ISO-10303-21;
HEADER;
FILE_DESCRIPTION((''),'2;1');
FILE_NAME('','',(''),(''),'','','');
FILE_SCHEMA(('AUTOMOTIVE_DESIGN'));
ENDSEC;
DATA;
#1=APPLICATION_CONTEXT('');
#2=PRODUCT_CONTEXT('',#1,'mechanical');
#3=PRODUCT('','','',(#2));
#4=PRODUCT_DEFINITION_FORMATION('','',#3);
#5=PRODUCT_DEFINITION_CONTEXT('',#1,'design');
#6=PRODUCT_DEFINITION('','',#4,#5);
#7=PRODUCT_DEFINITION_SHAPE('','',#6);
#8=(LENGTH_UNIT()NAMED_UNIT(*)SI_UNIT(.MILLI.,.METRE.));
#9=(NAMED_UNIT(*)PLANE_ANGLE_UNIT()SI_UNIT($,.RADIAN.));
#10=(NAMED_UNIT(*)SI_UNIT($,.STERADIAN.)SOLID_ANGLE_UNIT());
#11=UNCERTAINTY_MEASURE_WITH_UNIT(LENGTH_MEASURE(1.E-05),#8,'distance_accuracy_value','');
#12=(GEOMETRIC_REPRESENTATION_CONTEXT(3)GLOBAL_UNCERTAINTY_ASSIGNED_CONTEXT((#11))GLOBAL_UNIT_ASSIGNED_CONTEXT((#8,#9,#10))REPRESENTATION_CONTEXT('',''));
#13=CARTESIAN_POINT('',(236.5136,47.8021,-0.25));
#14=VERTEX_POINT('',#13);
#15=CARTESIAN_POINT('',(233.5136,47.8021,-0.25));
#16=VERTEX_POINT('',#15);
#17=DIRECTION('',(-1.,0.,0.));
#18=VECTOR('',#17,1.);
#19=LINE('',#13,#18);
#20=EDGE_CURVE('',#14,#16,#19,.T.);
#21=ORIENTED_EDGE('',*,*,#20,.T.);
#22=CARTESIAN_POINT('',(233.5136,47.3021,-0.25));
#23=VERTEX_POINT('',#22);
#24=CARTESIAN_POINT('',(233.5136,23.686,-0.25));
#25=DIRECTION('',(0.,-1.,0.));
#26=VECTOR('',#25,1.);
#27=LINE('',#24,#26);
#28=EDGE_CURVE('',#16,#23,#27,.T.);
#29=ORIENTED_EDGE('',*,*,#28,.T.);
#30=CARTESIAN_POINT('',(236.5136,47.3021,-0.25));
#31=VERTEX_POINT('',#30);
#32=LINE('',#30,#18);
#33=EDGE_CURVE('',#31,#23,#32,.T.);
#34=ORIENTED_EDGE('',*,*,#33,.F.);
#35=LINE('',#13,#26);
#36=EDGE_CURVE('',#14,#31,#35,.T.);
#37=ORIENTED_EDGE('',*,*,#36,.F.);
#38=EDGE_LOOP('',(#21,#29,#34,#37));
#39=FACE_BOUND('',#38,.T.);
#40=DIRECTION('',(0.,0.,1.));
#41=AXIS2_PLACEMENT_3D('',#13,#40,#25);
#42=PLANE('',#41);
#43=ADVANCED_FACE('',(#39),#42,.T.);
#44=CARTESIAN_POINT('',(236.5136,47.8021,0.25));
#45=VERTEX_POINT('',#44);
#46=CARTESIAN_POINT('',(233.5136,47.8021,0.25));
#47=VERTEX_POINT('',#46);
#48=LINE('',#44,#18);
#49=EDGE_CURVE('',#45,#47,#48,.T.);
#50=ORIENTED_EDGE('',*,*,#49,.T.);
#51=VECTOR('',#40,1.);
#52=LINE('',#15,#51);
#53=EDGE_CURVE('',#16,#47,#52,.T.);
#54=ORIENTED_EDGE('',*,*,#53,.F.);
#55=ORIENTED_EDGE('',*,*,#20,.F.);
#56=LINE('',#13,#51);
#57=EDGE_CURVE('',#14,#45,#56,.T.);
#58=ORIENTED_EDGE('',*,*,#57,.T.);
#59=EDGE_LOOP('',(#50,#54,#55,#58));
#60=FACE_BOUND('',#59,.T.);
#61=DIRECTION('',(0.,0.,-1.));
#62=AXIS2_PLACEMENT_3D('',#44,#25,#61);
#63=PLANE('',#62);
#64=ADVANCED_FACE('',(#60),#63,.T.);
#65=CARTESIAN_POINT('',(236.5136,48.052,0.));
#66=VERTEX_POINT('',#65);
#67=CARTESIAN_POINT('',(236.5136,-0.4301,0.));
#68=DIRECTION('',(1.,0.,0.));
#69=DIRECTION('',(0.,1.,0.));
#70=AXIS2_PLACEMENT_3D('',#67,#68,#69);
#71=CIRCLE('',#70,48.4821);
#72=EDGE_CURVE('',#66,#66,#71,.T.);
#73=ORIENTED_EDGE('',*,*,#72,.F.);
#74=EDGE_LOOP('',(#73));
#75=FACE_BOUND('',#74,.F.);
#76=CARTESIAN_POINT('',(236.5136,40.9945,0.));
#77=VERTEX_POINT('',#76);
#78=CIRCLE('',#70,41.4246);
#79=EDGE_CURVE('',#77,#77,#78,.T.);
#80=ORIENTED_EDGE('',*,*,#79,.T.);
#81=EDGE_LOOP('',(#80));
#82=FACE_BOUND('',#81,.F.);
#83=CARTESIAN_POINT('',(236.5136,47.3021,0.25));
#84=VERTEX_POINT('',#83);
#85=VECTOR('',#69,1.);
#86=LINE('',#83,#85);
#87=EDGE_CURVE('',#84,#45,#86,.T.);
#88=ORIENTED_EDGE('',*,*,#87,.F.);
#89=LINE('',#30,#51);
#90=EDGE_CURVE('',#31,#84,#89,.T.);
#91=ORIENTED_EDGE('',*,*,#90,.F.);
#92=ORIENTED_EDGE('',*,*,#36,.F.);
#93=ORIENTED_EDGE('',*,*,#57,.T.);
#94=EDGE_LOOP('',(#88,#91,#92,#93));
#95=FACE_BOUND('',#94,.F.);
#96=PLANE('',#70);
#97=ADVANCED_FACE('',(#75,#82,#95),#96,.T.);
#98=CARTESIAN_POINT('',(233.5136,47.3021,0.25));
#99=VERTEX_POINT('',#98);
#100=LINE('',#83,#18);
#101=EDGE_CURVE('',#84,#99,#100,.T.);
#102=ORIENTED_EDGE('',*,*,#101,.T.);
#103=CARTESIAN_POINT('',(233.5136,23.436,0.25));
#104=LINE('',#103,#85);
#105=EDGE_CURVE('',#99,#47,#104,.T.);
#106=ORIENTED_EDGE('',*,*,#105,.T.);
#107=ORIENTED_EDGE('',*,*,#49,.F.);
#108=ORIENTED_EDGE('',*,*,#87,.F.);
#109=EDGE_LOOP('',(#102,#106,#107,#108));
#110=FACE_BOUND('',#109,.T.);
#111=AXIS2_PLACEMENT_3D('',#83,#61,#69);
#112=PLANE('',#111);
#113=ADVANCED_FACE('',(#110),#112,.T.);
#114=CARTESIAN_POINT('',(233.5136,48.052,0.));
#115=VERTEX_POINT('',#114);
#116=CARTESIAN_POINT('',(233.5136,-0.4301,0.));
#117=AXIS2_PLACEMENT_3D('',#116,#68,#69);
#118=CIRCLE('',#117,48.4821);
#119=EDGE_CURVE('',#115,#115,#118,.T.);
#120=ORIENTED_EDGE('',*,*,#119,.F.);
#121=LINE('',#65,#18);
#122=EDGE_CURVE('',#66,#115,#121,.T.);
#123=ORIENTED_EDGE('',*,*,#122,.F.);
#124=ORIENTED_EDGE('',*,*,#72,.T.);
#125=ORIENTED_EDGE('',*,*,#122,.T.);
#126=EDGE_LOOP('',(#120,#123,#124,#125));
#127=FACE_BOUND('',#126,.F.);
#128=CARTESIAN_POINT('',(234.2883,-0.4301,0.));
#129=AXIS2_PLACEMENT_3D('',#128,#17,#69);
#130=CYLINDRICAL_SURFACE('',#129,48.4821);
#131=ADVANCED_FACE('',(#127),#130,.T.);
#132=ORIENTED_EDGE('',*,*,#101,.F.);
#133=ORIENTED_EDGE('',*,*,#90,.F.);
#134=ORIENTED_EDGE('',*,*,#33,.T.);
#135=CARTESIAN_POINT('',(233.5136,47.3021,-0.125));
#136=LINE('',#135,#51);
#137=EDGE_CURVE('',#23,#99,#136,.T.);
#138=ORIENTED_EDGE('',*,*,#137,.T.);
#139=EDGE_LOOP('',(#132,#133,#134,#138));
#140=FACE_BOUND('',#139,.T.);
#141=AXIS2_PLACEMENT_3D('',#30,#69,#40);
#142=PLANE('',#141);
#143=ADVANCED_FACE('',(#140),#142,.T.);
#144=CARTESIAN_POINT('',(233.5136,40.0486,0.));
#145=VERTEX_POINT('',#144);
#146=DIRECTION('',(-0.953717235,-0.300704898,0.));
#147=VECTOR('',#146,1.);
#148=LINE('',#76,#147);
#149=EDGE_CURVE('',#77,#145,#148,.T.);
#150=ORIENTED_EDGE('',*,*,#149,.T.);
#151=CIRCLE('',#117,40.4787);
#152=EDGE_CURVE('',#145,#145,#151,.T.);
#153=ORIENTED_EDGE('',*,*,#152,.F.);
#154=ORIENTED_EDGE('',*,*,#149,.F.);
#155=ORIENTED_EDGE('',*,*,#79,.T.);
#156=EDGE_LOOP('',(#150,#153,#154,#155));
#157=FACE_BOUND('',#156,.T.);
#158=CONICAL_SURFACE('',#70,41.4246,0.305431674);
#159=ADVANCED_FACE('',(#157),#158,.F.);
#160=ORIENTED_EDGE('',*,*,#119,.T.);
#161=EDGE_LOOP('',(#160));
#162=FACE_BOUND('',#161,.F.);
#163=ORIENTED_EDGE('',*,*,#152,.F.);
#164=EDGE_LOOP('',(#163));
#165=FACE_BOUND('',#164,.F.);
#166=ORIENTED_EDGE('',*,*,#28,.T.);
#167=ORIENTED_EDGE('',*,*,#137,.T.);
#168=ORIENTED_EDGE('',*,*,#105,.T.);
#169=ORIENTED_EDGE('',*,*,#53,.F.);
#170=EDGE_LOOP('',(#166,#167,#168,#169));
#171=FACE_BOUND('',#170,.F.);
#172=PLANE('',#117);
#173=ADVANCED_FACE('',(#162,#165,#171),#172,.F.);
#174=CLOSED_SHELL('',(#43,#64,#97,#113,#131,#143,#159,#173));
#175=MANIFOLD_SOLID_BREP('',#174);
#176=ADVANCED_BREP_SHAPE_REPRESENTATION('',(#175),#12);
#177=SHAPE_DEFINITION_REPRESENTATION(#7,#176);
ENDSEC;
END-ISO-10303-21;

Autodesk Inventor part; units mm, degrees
ref_plane "YZ Plane" through (0, 0, 0) normal (1, 0, 0) x (0, 1, 0)
ref_plane "XZ Plane" through (0, 0, 0) normal (0, 1, 0) x (-1, 0, 0)
ref_plane "XY Plane" through (0, 0, 0) normal (0, 0, 1) x (1, 0, 0)
sketch "Sketch1" plane through (0, 0, 0) normal (0, 0, 1) x (1, 0, 0)
  arc A0 (180.1312, 23.4516) -> (181.5833, 23.6751) centre (180.1312, 28.2803) ccw
  arc A1 (180.1312, 23.4516) -> (181.5842, 23.6753) centre (180.1312, 28.2803) ccw
  arc A2 (167.724, 26.7761) -> (180.1312, 23.4516) centre (180.1312, 48.266) ccw
  arc A3 (166.724, 25.044) -> (180.1312, 21.4516) centre (180.1312, 48.266) ccw
  line L0 (125.6541, 47.7887) -> (168.987, 22.7705)
  line L1 (124.6541, 46.0566) -> (167.987, 21.0384)
  arc A4 (180.1312, 21.4516) -> (182.1847, 21.7676) centre (180.1312, 28.2803) ccw
  arc A5 (124.6541, 46.0566) -> (31.2848, 71.0749) centre (31.2848, -115.6637) ccw
  arc A6 (125.6541, 47.7887) -> (31.2848, 73.0749) centre (31.2848, -115.6637) ccw
  line L2 (1.263, 71.0749) -> (31.2848, 71.0749)
  line L3 (1.263, 73.0749) -> (31.2848, 73.0749)
  line L4 (236.5136, 40.9945) -> (181.5833, 23.6751)
  line L5 (182.1847, 21.7676) -> (237.115, 39.0871)
  line L6 (1.263, -0.4301) -> (320.4324, -0.4301)
  line L7 (236.5136, 40.9945) -> (237.115, 39.0871)
  line L8 (1.263, 84.1749) -> (31.2848, 84.1749)
  line L9 (167.987, 21.0384) -> (167.987, -8.65)
  line L10 (31.2848, 84.1749) -> (166.987, 84.1749)
  line L11 (233.5136, 47.8077) -> (145.7323, 20.1304)
  line L12 (234.2883, 48.052) -> (238.3779, 48.052)
  line L13 (234.2883, 48.052) -> (168.987, 48.052)
  line L14 (168.987, 86.1749) -> (31.2848, 86.1749)
  line L15 (31.2848, 86.1749) -> (1.263, 86.1749)
  line L16 (234.2883, 50.052) -> (170.987, 50.052)
  line L17 (169.987, 21.0384) -> (169.987, 27.7779)
  line L18 (169.987, 51.052) -> (169.987, 85.1749)
  line L19 (167.987, 21.0384) -> (167.987, 27.1473)
  line L20 (167.987, 49.052) -> (167.987, 83.1749)
  arc A7 (167.987, 83.1749) -> (166.987, 84.1749) centre (166.987, 83.1749) ccw
  arc A8 (169.987, 85.1749) -> (168.987, 86.1749) centre (168.987, 85.1749) ccw
  arc A9 (169.987, 51.052) -> (170.987, 50.052) centre (170.987, 51.052) ccw
  arc A10 (167.987, 49.052) -> (168.987, 48.052) centre (168.987, 49.052) ccw
  line L21 (1.263, 84.1749) -> (1.263, 86.1749)
  line L22 (238.3779, 48.052) -> (238.3779, 50.052)
  line L23 (234.2883, 50.052) -> (238.3779, 50.052)
  line L24 (236.5136, 40.9945) -> (236.5136, 48.052)
  line L25 (236.5136, 48.052) -> (233.5136, 48.052)
  line L26 (233.5136, 48.052) -> (233.5136, 40.0486)
  line L27 (233.5136, 48.052) -> (234.2883, 48.052)
  line L28 (233.5136, 48.052) -> (233.5136, 47.8077)
  dimension "d40" = 30.0219
  dimension "d41" = 186.7386
  dimension "d42" = 0
  dimension "d43" = 0
  dimension "d44" = 71.505
  dimension "d45" = 2
  dimension "d46" = 2
  dimension "d47" = 2
  dimension "d48" = 2
  dimension "d49" = 2
  dimension "d50" = 17.5
  dimension "d51" = 54.9303
  dimension "d52" = 2
  dimension "d53" = 11.1
  dimension "d54" = 7.4
  dimension "d55" = 17.5
  dimension "d56" = 2
  dimension "d57" = 2
  dimension "d58" = 1
  dimension "d59" = 1
  dimension "d60" = 1
  dimension "d61" = 1
  dimension "d62" = 3
revolve "Revolution1" add sketch "Sketch1" angle 360 about axis through (1.263, -0.4301, 0) along (1, 0, 0) contours L26 L13 L12 L24 L4
sketch "Sketch2" plane through (236.5136, -0.4301, 0) normal (1, 0, 0) x (0, 0, -1)
  circle A0 centre (0, 0) radius 41.4246 projected
  line L0 (0, 41.4246) -> (0, 46.1871)
  circle A1 centre (0, 46.1871) radius 4.7625
  point P0 (0, 0.4301)
  dimension "d63" = 4.7625
  dimension "d64" = 9.525
sketch "Sketch5" plane through (236.5136, -0.4301, 0) normal (1, 0, 0) x (0, 0, -1)
  circle A0 centre (0, 42.1815) radius 4.7625 projected
  circle A1 centre (0, 0) radius 48.4822 projected
  line L0 (0, 48.4822) -> (0, 47.9822)
  line L1 (0.25, 47.7322) -> (-0.25, 47.7322)
  line L2 (-0.25, 47.7322) -> (-0.25, 48.2322)
  line L3 (-0.25, 48.2322) -> (0.25, 48.2322)
  line L4 (0.25, 48.2322) -> (0.25, 47.7322)
  line L5 (0.25, 47.7322) -> (-0.25, 48.2322) construction
  line L6 (-0.25, 47.7322) -> (0.25, 48.2322) construction
  point P0 (0, 0.4301)
  point P1 (0, 41.4246)
  dimension "d72" = 0.5
  dimension "d76" = 0.5
  dimension "d77" = 0.5
extrude "Extrusion1" cut sketch "Sketch5" against normal blind 3.5 contours L3 L4 L1 L2
properties part number "back bracket" material "Stainless Steel"
